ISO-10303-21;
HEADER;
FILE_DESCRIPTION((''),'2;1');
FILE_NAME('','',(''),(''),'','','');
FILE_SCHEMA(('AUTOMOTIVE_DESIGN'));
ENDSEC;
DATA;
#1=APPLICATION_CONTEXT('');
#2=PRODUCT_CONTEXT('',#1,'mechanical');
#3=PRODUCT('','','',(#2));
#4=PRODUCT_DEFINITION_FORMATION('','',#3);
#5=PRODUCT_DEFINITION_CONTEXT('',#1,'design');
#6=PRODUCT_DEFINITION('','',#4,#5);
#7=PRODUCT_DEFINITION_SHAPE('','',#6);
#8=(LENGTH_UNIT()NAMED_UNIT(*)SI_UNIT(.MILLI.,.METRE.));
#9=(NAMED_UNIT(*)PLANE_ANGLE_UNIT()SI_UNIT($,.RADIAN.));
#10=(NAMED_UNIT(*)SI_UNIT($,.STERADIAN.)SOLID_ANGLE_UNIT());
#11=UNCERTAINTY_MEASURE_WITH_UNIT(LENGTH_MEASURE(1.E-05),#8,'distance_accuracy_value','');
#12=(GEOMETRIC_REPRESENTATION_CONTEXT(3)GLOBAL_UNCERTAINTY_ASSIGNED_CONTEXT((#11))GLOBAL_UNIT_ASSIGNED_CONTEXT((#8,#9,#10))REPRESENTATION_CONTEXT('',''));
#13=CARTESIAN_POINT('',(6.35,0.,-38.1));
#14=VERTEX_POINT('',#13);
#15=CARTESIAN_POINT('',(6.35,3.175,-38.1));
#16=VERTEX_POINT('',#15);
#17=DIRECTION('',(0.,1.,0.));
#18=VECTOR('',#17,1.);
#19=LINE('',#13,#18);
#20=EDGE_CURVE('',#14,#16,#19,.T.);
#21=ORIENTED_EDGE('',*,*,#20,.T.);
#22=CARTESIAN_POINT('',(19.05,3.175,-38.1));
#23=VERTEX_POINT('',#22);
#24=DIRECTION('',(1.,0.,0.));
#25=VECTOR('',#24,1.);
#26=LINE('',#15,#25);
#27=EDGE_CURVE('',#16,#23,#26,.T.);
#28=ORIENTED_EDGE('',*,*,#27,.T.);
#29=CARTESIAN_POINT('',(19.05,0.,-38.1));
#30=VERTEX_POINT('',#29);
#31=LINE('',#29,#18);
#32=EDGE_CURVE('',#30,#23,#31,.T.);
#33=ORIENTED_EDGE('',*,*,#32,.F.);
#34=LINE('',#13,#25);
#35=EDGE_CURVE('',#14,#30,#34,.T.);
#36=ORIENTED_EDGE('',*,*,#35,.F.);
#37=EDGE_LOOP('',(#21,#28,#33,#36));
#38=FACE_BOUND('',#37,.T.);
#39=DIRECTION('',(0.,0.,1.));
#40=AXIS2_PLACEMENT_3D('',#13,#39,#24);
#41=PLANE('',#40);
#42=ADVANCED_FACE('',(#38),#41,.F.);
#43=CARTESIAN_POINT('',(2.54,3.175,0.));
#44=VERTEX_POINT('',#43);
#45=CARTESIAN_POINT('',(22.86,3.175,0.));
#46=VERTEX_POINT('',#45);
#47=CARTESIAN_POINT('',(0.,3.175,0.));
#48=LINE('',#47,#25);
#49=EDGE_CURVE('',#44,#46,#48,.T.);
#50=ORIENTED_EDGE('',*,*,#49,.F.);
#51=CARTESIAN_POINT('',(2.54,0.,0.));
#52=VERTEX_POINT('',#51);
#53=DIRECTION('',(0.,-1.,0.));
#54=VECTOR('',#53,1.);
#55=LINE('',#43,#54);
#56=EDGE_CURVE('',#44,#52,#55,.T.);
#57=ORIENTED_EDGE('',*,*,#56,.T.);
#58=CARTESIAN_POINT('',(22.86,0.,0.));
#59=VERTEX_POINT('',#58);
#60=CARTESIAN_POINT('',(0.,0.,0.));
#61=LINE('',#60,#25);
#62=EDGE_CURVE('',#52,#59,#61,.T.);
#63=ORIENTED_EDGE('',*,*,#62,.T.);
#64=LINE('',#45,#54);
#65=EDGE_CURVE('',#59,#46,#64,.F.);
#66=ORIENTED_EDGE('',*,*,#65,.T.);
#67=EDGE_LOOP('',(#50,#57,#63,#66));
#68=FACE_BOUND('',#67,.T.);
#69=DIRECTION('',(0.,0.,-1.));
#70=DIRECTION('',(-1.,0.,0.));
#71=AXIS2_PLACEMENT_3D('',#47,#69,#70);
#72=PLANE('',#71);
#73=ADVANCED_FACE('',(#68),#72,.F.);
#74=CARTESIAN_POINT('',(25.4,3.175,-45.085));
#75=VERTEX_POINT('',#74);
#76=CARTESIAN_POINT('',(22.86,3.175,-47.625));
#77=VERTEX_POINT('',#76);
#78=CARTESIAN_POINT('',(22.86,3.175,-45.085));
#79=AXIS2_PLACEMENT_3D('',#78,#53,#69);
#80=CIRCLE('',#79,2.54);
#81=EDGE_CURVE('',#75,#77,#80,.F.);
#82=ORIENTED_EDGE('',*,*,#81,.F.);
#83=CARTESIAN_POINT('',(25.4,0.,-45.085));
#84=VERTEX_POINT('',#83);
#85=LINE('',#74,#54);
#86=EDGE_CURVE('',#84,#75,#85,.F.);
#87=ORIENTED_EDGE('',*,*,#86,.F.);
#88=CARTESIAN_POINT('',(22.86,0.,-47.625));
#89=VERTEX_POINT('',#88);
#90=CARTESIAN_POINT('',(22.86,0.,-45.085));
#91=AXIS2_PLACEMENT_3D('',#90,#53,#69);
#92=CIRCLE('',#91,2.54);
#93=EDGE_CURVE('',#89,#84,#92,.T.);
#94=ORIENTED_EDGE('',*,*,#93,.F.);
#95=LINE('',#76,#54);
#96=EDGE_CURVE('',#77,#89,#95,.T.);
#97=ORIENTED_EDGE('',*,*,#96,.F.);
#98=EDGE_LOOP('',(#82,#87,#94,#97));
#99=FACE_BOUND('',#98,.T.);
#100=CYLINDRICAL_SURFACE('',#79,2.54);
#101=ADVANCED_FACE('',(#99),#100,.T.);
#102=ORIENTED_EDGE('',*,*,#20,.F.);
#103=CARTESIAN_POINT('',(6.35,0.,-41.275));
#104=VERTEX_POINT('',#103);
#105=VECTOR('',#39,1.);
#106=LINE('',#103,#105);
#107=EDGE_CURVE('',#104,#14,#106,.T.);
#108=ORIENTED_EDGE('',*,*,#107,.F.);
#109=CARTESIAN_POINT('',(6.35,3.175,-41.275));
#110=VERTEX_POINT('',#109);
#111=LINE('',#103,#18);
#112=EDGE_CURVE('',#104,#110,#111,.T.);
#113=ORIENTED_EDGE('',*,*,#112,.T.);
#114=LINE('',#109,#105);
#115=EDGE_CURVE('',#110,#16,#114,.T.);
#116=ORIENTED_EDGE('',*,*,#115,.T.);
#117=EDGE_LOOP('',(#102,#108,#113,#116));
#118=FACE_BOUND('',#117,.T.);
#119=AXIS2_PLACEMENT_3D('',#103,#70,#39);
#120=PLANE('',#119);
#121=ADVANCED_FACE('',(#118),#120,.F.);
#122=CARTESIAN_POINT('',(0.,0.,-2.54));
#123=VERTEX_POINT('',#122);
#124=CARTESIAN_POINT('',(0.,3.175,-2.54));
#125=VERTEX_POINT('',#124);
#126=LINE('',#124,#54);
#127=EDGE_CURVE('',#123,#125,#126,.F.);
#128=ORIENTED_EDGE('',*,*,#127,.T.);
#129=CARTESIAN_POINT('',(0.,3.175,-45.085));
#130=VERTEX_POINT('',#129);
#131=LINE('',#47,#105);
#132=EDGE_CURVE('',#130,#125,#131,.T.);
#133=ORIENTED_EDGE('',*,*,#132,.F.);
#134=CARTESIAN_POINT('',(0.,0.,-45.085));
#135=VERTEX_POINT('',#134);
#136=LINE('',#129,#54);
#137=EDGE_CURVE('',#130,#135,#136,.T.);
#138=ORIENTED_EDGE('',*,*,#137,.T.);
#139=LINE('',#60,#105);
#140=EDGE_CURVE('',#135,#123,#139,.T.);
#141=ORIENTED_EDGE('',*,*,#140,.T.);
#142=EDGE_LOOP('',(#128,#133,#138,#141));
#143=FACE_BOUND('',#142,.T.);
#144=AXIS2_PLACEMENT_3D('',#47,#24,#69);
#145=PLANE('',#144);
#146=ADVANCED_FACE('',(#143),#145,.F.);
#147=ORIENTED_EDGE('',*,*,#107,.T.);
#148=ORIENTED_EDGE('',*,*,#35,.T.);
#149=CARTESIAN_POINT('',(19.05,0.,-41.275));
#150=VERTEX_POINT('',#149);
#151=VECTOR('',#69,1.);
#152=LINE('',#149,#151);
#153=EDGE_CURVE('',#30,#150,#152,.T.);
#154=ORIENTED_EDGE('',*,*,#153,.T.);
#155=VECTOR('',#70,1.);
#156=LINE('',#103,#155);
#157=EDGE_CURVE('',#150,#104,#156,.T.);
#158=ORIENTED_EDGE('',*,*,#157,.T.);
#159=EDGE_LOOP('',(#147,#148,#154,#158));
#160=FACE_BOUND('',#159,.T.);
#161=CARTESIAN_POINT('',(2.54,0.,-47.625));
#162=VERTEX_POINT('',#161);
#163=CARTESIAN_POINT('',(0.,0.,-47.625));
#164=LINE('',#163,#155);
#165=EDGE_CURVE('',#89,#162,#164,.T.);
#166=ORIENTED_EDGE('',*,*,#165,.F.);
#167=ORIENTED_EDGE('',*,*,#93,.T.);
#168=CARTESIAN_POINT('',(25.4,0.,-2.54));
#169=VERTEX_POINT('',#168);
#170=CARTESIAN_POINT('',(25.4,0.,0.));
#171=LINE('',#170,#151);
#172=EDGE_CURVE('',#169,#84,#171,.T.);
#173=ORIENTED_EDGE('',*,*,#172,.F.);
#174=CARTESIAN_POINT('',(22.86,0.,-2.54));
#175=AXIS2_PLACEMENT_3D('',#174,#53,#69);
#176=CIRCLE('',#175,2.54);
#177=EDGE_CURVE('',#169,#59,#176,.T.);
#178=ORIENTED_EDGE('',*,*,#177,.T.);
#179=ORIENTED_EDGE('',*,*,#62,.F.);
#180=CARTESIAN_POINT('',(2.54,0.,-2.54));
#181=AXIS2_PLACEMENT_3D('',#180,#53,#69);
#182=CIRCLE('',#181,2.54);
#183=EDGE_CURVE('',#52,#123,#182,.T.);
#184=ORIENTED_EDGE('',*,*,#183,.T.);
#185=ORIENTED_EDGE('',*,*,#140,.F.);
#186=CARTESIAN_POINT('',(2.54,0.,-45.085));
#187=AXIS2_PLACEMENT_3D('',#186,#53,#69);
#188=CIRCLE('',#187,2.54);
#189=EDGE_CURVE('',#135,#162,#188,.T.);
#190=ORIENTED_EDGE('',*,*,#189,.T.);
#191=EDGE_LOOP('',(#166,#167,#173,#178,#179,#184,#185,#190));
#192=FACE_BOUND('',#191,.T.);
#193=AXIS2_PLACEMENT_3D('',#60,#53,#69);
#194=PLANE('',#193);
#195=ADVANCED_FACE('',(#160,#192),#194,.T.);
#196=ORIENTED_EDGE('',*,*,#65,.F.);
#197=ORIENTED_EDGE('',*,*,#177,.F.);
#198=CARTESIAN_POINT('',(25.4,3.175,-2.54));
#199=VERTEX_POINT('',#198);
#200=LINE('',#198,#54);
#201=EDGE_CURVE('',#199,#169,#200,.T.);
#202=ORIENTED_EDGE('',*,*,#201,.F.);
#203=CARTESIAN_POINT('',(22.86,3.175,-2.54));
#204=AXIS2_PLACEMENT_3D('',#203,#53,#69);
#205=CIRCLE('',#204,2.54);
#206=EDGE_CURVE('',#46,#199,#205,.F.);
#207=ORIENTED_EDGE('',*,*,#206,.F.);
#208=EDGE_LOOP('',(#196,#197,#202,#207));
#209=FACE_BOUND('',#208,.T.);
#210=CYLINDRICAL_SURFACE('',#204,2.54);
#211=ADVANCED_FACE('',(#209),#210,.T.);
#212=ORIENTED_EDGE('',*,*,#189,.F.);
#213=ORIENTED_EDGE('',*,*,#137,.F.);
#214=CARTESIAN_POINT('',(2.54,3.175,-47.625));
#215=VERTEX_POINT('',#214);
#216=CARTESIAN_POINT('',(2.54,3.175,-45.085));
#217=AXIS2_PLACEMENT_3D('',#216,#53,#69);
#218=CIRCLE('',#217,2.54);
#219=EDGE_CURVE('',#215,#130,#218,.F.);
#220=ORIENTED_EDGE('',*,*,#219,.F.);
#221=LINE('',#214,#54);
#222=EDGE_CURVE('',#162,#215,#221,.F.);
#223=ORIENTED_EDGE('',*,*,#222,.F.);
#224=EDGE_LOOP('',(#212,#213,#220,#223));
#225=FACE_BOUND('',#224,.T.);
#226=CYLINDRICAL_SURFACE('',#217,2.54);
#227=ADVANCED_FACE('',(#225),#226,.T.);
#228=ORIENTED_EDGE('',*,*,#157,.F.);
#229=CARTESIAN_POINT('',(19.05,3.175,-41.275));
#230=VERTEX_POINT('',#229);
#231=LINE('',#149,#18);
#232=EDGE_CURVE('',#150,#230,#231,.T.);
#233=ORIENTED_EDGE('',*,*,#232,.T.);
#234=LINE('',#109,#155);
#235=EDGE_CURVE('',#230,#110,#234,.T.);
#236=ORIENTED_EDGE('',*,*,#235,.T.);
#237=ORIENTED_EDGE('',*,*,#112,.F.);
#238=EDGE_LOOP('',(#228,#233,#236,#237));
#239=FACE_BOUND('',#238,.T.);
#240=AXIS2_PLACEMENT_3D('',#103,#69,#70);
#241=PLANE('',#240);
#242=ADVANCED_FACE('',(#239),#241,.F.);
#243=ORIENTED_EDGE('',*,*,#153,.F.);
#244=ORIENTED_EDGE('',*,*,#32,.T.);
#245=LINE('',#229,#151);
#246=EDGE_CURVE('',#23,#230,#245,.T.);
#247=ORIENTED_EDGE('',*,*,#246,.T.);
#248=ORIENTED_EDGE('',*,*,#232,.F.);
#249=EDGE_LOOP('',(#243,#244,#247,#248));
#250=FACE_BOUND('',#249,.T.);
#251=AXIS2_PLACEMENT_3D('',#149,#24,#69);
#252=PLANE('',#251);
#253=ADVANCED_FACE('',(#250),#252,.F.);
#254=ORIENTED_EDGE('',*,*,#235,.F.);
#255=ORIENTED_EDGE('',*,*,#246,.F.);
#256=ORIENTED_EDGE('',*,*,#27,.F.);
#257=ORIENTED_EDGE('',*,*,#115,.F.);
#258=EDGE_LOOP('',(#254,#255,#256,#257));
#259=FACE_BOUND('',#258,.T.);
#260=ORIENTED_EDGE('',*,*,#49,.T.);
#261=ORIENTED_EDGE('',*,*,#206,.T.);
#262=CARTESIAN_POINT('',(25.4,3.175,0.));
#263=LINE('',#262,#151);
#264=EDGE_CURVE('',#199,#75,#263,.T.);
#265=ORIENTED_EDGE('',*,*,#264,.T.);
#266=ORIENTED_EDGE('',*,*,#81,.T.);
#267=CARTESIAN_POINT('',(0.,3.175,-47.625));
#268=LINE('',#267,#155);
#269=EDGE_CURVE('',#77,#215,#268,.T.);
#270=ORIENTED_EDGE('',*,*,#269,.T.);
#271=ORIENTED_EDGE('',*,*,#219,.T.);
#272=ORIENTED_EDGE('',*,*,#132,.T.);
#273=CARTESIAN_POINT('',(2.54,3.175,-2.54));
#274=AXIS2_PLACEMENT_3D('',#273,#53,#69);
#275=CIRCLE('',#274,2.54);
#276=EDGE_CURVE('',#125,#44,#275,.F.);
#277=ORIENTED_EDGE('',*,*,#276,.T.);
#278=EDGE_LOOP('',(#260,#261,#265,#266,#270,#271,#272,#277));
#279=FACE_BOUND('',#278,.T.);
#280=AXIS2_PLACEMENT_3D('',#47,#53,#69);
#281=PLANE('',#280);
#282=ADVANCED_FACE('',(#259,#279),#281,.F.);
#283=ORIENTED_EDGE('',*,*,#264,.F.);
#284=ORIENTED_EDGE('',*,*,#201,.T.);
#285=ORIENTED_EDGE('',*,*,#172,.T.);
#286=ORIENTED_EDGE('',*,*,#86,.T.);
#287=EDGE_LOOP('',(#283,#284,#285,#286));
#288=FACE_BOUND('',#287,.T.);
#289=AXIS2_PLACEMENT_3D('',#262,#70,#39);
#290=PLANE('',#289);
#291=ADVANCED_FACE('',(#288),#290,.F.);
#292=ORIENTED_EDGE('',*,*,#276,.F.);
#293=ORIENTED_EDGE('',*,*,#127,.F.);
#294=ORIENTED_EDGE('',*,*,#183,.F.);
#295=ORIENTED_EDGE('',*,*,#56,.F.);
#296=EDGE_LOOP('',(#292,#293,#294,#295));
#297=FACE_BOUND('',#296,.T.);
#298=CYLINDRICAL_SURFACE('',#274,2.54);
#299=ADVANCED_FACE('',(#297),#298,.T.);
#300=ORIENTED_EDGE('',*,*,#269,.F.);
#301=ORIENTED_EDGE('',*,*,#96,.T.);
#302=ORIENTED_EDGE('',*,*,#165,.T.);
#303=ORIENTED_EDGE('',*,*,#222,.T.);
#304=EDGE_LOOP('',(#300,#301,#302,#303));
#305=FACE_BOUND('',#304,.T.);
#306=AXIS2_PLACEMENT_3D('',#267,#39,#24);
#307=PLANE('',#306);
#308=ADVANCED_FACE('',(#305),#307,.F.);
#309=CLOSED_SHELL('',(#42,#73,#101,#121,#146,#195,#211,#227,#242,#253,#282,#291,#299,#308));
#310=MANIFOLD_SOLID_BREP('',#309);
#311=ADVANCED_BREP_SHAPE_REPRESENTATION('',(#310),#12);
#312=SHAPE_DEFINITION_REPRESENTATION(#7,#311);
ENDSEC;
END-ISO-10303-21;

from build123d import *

# Parameters (mm, degrees)
SKETCH1_W           = 25.4
SKETCH1_H           = 47.625
BOSS_EXTRUDE1_DEPTH = 3.175
SKETCH2_W           = 12.7
SKETCH2_H           = 3.175
CUT_EXTRUDE1_DEPTH  = 55.068301712
FILLET1_R           = 2.54


with BuildPart() as part:
    # Sketch1 → Boss-Extrude1 (new body)
    with BuildSketch(Plane(origin=(0, 0, 0), x_dir=(1, 0, 0), z_dir=(0, 1, 0))):
        with Locations((12.7, 23.8125)):
            Rectangle(SKETCH1_W, SKETCH1_H)
    extrude(amount=BOSS_EXTRUDE1_DEPTH)

    # Sketch2 → Cut-Extrude1 (cut, through all)
    with BuildSketch(Plane(origin=(0, 3.175, 0), x_dir=(1, 0, 0), z_dir=(0, 1, 0))):
        with Locations((12.7, 39.6875)):
            Rectangle(SKETCH2_W, SKETCH2_H)
    extrude(amount=-CUT_EXTRUDE1_DEPTH, mode=Mode.SUBTRACT)

    # Fillet1
    fillet1_edges = [part.edges().sort_by_distance(p)[0] for p in [
        (0, 1.5875, -47.625),
        (25.4, 1.5875, -47.625),
        (25.4, 1.5875, 0),
        (0, 1.5875, 0),
    ]]
    fillet(fillet1_edges, radius=FILLET1_R)


solid = part.part
